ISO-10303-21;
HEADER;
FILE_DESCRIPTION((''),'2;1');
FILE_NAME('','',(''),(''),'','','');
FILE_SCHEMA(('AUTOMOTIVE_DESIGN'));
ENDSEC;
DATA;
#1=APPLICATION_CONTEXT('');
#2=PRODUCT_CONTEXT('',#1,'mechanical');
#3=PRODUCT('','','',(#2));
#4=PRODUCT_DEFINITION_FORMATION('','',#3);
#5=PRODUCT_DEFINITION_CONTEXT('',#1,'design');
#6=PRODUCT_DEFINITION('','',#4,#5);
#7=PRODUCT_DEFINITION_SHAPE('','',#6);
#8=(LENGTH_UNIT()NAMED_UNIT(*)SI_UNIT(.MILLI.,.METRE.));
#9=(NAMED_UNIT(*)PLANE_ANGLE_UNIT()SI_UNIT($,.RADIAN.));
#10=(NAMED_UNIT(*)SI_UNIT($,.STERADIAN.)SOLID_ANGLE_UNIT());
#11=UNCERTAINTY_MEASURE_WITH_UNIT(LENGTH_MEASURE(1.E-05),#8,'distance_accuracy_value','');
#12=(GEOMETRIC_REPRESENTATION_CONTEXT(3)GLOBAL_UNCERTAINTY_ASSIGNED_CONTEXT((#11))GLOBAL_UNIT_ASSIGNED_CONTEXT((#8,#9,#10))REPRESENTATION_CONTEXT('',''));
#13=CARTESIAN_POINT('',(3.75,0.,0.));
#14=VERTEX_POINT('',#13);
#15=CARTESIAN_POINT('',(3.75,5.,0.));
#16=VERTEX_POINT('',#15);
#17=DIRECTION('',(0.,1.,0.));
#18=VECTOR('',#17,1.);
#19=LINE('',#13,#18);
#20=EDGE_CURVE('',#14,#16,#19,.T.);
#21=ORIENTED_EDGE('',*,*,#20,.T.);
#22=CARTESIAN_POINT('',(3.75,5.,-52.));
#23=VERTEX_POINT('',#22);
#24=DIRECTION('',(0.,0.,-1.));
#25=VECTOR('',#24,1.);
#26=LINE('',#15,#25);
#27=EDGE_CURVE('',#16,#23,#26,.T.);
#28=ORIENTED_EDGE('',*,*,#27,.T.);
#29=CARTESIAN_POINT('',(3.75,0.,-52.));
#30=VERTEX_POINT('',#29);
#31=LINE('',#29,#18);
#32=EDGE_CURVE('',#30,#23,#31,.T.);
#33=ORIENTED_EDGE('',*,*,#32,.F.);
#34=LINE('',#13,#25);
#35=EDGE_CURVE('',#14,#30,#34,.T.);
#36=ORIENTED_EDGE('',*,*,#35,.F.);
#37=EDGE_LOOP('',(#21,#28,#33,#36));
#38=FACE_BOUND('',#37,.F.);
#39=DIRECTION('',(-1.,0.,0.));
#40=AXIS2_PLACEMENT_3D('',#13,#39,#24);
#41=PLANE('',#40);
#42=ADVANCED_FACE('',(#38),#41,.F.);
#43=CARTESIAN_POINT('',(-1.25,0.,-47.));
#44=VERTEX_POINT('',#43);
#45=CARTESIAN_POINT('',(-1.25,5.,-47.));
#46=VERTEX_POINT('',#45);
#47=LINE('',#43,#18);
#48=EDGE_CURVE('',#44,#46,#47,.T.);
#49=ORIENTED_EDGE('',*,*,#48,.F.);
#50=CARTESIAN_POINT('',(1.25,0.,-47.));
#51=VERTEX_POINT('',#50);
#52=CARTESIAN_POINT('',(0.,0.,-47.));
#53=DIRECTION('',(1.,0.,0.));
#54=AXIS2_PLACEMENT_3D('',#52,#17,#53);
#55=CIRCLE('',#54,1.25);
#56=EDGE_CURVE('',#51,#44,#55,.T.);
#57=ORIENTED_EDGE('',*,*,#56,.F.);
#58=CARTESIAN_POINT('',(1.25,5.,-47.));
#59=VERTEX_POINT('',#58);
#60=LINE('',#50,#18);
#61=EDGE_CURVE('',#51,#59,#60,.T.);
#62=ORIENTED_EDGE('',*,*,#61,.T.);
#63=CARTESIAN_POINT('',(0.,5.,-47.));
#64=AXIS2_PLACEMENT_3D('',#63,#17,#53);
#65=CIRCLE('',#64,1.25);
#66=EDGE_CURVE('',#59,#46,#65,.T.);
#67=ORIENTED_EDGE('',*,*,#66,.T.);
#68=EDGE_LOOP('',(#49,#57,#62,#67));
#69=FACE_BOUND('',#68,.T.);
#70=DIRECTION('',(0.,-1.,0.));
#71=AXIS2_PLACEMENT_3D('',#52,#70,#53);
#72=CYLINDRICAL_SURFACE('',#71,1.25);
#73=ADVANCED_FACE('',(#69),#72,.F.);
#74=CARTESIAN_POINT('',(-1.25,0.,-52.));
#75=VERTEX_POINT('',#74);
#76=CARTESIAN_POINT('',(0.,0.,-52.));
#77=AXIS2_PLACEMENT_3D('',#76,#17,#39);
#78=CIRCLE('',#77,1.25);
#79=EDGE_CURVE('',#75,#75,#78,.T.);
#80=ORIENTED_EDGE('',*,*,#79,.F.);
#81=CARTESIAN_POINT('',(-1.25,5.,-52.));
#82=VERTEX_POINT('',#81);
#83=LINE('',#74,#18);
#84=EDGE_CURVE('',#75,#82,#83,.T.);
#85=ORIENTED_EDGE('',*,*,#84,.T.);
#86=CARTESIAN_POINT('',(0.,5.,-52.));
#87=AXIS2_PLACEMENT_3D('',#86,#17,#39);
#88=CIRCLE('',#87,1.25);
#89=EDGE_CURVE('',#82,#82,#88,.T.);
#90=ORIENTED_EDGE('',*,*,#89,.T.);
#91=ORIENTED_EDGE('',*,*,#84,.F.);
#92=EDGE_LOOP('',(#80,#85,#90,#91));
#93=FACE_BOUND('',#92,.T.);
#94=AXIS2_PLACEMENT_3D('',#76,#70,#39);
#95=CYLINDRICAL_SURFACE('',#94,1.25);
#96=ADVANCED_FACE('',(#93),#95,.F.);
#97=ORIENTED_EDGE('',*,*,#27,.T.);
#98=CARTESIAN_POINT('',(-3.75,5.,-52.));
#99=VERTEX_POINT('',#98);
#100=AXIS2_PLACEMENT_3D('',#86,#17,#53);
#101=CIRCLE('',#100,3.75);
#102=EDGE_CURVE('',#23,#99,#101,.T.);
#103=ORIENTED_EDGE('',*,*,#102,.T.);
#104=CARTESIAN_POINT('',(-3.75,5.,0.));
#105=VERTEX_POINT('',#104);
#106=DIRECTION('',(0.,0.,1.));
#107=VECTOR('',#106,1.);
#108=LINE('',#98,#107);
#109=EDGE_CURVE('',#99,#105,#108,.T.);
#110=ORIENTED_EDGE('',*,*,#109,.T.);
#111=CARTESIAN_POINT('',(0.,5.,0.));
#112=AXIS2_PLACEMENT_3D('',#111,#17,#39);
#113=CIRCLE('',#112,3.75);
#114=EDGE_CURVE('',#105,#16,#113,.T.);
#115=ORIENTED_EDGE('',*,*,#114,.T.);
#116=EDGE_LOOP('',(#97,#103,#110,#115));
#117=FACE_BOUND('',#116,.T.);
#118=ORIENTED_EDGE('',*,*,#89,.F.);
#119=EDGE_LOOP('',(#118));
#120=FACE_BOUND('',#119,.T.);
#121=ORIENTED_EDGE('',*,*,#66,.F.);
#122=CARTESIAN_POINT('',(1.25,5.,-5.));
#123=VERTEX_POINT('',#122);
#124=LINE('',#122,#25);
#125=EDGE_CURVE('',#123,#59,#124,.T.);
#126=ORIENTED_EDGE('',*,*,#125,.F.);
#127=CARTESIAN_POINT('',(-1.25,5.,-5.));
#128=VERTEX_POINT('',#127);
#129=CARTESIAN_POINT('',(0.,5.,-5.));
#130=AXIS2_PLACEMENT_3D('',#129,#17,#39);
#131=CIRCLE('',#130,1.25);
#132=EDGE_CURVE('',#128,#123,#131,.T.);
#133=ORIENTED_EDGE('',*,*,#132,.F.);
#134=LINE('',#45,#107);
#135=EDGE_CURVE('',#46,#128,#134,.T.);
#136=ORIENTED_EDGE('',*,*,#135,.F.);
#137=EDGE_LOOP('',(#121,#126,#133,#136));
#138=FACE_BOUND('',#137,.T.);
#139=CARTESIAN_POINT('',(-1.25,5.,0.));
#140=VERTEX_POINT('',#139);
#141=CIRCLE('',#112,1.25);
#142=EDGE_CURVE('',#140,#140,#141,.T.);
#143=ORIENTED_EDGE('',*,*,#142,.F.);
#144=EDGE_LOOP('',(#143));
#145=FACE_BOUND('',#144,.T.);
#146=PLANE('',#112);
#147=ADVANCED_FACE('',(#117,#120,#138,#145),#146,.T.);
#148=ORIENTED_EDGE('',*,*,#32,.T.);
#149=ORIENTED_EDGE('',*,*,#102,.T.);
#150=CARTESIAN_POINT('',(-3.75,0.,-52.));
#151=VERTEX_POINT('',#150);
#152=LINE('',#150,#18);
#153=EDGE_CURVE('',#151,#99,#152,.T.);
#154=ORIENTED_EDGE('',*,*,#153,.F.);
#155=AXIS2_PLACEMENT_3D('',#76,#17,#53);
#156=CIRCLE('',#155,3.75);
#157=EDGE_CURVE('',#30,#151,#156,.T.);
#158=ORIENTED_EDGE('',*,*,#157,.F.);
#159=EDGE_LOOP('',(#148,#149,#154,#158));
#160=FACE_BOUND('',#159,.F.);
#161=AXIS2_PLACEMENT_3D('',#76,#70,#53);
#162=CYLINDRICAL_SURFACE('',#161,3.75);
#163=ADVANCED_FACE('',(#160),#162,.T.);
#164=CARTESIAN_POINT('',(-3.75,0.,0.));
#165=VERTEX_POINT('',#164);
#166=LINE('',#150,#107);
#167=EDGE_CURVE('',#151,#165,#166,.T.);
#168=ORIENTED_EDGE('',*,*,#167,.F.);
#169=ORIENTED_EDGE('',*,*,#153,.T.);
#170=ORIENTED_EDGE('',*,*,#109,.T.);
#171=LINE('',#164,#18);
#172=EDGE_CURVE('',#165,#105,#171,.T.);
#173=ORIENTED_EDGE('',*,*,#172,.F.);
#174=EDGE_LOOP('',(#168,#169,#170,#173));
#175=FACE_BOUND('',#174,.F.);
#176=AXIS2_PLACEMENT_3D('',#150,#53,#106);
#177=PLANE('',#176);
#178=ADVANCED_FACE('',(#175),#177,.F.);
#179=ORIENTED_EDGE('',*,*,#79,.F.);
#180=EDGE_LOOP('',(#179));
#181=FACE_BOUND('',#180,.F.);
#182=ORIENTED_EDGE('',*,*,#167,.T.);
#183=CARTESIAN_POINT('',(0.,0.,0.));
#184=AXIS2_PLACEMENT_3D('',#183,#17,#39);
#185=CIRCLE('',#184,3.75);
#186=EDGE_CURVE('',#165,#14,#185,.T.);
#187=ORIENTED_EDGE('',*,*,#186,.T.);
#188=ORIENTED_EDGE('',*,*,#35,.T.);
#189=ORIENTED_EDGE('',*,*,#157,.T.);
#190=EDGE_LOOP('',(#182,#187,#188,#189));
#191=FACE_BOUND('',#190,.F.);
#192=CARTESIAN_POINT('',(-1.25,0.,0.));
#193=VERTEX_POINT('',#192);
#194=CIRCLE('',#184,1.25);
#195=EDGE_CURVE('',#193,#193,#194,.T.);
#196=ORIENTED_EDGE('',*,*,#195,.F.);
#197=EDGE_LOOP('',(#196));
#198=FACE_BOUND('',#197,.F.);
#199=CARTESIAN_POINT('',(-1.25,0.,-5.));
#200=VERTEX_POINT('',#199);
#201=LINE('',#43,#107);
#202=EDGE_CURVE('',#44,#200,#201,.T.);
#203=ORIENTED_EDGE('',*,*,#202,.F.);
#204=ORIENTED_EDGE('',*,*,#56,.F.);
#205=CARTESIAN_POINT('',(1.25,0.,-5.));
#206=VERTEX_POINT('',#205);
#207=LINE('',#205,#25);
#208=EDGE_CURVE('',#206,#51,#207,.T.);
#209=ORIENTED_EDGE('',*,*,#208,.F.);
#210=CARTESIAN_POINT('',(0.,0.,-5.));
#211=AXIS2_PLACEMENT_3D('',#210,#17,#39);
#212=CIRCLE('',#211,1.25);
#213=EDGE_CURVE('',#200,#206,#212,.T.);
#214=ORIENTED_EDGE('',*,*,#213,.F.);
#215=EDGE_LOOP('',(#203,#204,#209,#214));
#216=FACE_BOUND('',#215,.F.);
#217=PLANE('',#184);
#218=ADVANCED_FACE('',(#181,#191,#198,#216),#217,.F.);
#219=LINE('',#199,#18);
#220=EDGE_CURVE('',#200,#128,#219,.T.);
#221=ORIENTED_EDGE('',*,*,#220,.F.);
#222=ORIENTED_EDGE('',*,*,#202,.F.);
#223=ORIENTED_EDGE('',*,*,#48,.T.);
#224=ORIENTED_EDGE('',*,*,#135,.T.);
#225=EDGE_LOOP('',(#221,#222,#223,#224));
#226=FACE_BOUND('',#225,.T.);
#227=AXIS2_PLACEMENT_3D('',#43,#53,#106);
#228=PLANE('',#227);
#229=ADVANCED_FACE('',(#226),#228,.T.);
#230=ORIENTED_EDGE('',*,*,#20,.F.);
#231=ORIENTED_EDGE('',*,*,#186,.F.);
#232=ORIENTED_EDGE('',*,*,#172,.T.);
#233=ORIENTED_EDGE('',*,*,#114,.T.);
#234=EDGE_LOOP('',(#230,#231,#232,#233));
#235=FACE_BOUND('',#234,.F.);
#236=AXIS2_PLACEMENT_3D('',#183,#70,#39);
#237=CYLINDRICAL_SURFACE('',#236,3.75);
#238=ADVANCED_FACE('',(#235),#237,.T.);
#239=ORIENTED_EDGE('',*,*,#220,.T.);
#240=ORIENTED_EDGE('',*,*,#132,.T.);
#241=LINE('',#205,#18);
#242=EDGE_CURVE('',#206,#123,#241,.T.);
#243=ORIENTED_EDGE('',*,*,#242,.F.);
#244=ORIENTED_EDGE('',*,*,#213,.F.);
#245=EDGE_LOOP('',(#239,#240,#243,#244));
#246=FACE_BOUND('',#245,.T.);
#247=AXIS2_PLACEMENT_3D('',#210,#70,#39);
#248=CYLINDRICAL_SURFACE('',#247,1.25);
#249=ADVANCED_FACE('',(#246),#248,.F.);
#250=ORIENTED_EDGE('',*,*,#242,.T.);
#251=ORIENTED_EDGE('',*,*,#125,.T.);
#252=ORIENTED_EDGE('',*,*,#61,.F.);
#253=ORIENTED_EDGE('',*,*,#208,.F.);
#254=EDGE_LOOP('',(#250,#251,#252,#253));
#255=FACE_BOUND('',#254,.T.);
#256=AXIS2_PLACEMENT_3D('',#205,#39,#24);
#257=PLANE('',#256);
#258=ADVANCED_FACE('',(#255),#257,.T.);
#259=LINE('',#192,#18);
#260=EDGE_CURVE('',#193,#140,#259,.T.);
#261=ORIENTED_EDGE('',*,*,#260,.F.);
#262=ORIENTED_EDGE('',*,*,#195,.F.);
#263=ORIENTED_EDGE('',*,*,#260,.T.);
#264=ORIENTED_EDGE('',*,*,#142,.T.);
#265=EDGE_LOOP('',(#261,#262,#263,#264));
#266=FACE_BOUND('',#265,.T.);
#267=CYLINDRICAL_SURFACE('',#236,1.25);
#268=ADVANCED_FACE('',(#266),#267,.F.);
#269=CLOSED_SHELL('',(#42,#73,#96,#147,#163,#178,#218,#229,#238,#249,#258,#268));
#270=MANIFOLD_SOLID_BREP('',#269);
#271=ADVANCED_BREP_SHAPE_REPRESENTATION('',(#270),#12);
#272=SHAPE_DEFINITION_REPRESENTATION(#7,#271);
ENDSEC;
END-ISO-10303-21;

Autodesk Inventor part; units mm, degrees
ref_plane "YZ Plane" through (0, 0, 0) normal (1, 0, 0) x (0, 1, 0)
ref_plane "XZ Plane" through (0, 0, 0) normal (0, 1, 0) x (-1, 0, 0)
ref_plane "XY Plane" through (0, 0, 0) normal (0, 0, 1) x (1, 0, 0)
sketch "Sketch1" plane through (0, 0, 0) normal (0, 1, 0) x (-1, 0, 0)
  line L0 (0, 0) -> (0, -52) construction
  line L1 (-3.75, 0) -> (-3.75, -52)
  line L2 (3.75, -52) -> (3.75, 0)
  arc A0 (3.75, 0) -> (-3.75, 0) centre (0, 0) ccw
  arc A1 (-3.75, -52) -> (3.75, -52) centre (0, -52) ccw
  circle A2 centre (0, 0) radius 1.25
  circle A3 centre (0, -52) radius 1.25
  line L3 (0, -5) -> (0, -47) construction
  line L4 (-1.25, -5) -> (-1.25, -47)
  line L5 (1.25, -47) -> (1.25, -5)
  arc A4 (1.25, -5) -> (-1.25, -5) centre (0, -5) ccw
  arc A5 (-1.25, -47) -> (1.25, -47) centre (0, -47) ccw
  point P0 (0, -26)
  point P1 (0, -26)
  point P2 (0, -48.25)
  dimension "d0" = 52
  dimension "d1" = 7.5
  dimension "d2" = 2.5
  dimension "d3" = 2.5
  dimension "d4" = 26
  dimension "d7" = 3.75
  dimension "d8" = 2.5
extrude "Extrusion1" add sketch "Sketch1" along normal blind 5
equation "\"d4\" = 0.5 * d0"
properties part number "6P-017"
